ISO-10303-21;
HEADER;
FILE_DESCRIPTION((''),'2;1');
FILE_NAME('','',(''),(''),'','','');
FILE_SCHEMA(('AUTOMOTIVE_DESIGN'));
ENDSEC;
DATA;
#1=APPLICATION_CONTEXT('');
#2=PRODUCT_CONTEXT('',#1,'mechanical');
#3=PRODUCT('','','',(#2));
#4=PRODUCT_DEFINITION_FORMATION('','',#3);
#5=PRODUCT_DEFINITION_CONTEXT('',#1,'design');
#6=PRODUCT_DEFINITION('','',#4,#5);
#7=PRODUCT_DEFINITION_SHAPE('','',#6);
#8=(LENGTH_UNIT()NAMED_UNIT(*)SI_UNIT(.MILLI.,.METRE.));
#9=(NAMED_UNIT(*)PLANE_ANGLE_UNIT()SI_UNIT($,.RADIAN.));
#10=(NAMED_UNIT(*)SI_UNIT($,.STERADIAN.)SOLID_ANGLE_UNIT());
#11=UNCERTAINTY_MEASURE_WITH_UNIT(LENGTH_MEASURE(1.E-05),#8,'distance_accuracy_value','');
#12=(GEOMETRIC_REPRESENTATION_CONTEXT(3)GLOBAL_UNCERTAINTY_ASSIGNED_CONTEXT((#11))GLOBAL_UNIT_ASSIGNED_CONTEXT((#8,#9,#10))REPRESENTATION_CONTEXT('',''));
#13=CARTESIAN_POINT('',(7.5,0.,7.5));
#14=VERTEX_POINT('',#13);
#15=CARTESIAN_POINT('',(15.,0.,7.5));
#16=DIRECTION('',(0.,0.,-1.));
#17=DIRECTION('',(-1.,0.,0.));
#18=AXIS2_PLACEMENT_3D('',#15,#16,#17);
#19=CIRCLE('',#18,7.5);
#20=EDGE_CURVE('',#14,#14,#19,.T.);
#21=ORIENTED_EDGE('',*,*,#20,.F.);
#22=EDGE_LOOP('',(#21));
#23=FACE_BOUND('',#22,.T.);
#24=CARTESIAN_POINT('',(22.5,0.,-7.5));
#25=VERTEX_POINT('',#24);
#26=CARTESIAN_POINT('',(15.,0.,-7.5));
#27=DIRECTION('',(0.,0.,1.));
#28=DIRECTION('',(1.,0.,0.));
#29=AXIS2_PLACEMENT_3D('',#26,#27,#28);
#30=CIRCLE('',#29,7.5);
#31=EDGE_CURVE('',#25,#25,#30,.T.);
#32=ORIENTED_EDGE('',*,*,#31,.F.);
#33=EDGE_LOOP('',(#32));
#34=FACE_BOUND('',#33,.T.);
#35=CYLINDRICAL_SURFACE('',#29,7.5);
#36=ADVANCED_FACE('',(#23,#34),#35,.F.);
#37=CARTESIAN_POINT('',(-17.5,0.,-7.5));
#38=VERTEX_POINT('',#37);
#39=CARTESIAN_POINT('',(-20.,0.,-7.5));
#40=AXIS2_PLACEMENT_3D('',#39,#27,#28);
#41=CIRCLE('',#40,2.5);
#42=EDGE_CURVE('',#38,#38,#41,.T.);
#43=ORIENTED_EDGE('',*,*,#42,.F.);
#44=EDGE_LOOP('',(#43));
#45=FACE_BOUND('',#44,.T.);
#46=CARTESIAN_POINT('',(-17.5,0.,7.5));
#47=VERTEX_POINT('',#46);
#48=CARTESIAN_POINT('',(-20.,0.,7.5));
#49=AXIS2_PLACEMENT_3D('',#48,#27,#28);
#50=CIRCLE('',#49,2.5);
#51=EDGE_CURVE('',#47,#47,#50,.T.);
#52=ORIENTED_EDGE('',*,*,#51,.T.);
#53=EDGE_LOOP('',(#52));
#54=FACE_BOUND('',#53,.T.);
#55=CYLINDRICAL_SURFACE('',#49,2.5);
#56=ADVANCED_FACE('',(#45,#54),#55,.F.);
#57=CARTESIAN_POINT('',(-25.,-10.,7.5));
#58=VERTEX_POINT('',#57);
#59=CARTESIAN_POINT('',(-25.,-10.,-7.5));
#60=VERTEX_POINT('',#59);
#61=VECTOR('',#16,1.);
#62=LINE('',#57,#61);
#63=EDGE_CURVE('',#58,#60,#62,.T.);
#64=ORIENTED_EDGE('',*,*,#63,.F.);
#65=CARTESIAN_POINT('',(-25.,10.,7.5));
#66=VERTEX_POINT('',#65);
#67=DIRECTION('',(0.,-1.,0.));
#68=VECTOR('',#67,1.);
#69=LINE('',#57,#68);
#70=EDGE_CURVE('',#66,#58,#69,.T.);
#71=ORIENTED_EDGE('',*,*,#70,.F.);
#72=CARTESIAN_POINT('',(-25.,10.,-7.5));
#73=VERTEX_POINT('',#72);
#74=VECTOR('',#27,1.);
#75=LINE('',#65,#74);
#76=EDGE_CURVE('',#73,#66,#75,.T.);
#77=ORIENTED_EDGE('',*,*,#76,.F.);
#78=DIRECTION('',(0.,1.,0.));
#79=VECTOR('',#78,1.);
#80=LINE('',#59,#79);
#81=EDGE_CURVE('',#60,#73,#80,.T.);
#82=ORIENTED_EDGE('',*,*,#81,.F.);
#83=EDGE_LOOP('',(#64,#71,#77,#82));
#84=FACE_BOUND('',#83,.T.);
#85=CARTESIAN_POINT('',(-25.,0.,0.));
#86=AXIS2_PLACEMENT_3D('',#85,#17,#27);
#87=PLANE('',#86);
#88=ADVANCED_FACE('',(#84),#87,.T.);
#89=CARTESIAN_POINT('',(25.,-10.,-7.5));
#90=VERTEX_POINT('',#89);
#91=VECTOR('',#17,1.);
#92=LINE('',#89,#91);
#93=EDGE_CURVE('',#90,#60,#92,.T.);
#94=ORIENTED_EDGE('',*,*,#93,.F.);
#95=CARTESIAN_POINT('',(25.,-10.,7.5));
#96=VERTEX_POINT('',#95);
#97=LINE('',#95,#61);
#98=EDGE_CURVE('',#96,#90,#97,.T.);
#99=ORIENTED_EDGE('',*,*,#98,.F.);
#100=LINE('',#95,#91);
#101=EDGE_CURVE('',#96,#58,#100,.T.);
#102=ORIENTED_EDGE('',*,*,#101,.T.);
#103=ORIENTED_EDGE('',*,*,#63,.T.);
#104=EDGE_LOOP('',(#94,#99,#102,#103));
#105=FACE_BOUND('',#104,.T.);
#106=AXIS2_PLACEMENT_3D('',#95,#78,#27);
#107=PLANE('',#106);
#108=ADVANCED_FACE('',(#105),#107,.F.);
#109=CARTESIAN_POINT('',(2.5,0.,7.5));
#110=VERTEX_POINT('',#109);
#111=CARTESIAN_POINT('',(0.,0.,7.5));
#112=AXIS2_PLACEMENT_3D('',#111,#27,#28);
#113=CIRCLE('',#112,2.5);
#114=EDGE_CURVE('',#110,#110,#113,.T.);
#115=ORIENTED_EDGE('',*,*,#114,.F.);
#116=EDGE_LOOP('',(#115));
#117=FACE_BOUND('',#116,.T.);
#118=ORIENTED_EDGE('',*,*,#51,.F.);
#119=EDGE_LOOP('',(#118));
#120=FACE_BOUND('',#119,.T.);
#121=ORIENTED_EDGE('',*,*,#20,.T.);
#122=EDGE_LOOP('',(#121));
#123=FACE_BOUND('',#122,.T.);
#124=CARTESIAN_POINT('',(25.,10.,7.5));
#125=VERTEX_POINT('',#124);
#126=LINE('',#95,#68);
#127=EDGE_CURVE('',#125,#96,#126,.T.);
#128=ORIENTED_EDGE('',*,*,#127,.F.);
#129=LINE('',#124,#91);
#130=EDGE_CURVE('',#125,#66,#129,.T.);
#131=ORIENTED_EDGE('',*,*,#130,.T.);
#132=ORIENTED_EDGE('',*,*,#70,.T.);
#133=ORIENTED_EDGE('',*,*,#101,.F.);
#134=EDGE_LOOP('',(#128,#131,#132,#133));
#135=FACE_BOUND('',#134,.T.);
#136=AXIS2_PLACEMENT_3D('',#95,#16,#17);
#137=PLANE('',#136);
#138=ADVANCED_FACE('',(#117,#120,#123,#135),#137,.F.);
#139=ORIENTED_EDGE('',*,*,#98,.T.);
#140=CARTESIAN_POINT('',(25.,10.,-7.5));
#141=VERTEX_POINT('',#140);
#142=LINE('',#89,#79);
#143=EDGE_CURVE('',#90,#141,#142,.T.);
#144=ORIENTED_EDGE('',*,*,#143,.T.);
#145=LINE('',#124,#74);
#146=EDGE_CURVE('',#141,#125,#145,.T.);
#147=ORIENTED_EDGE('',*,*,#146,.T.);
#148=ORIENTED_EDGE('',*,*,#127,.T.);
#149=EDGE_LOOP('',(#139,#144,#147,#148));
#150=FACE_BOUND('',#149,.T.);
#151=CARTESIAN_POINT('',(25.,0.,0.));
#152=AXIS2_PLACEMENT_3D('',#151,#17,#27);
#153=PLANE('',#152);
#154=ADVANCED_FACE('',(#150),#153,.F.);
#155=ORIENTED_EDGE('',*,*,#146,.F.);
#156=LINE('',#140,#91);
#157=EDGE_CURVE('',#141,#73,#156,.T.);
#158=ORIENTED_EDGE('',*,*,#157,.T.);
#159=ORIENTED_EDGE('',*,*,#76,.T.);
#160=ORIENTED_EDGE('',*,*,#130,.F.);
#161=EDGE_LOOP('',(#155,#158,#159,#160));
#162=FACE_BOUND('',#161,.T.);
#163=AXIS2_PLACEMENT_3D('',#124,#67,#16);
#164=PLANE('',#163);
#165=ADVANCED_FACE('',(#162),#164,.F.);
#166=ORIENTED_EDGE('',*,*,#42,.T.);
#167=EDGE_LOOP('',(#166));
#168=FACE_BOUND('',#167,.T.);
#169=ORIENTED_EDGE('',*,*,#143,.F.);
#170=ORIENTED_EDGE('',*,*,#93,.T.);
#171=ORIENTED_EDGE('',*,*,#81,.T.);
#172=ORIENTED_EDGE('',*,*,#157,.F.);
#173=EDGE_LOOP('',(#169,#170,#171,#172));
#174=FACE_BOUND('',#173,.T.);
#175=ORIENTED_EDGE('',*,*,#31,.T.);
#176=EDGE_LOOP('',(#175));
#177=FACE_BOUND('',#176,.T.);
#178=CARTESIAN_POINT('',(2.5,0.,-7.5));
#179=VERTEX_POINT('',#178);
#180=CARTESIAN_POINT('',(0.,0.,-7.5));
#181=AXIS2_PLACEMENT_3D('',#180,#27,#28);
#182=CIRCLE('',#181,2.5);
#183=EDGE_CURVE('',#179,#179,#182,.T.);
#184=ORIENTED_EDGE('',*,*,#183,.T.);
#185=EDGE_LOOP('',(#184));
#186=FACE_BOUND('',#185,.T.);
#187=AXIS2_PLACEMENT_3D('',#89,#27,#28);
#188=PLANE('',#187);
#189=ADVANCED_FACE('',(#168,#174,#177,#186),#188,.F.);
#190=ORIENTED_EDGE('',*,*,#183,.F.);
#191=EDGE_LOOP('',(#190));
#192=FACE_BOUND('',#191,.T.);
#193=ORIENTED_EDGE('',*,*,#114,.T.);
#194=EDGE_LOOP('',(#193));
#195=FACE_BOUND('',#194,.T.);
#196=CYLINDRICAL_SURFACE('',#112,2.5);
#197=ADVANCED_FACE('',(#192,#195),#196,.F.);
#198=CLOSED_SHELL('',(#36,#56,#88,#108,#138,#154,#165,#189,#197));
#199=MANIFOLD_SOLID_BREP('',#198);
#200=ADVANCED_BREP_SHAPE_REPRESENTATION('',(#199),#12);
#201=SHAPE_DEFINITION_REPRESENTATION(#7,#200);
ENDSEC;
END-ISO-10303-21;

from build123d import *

# Parameters (mm, degrees)
SKETCH1_W               = 15
SKETCH1_H               = 20
BOSS_EXTRUDE1_DEPTH     = 25
CUT_EXTRUDE1_DEPTH      = 31.822070015
CUT_EXTRUDE1_DEPTH_BACK = 31.822070015
SKETCH2_R               = 7.5
M6_TAPPED_HOLE1_D       = 5


with BuildPart() as part:
    # Sketch1 → Boss-Extrude1 (new, symmetric)
    with BuildSketch(Plane(origin=(0, 0, 0), x_dir=(0, 0, -1), z_dir=(1, 0, 0))):
        Rectangle(SKETCH1_W, SKETCH1_H)
    extrude(amount=BOSS_EXTRUDE1_DEPTH, both=True)

    # Sketch2 → Cut-Extrude1 (cut, two sides: drawn at the far end of the back side and taken through both)
    with BuildSketch(Plane.XY.offset(7.5).offset(-CUT_EXTRUDE1_DEPTH_BACK)):
        with Locations((15, 0)):
            Circle(SKETCH2_R)
    extrude(amount=CUT_EXTRUDE1_DEPTH + CUT_EXTRUDE1_DEPTH_BACK, mode=Mode.SUBTRACT)

    # M6 Tapped Hole1 (through all)
    with Locations(Plane.XY.offset(7.5)):
        with Locations((0, 0), (-20, 0)):
            Hole(M6_TAPPED_HOLE1_D / 2)


solid = part.part
